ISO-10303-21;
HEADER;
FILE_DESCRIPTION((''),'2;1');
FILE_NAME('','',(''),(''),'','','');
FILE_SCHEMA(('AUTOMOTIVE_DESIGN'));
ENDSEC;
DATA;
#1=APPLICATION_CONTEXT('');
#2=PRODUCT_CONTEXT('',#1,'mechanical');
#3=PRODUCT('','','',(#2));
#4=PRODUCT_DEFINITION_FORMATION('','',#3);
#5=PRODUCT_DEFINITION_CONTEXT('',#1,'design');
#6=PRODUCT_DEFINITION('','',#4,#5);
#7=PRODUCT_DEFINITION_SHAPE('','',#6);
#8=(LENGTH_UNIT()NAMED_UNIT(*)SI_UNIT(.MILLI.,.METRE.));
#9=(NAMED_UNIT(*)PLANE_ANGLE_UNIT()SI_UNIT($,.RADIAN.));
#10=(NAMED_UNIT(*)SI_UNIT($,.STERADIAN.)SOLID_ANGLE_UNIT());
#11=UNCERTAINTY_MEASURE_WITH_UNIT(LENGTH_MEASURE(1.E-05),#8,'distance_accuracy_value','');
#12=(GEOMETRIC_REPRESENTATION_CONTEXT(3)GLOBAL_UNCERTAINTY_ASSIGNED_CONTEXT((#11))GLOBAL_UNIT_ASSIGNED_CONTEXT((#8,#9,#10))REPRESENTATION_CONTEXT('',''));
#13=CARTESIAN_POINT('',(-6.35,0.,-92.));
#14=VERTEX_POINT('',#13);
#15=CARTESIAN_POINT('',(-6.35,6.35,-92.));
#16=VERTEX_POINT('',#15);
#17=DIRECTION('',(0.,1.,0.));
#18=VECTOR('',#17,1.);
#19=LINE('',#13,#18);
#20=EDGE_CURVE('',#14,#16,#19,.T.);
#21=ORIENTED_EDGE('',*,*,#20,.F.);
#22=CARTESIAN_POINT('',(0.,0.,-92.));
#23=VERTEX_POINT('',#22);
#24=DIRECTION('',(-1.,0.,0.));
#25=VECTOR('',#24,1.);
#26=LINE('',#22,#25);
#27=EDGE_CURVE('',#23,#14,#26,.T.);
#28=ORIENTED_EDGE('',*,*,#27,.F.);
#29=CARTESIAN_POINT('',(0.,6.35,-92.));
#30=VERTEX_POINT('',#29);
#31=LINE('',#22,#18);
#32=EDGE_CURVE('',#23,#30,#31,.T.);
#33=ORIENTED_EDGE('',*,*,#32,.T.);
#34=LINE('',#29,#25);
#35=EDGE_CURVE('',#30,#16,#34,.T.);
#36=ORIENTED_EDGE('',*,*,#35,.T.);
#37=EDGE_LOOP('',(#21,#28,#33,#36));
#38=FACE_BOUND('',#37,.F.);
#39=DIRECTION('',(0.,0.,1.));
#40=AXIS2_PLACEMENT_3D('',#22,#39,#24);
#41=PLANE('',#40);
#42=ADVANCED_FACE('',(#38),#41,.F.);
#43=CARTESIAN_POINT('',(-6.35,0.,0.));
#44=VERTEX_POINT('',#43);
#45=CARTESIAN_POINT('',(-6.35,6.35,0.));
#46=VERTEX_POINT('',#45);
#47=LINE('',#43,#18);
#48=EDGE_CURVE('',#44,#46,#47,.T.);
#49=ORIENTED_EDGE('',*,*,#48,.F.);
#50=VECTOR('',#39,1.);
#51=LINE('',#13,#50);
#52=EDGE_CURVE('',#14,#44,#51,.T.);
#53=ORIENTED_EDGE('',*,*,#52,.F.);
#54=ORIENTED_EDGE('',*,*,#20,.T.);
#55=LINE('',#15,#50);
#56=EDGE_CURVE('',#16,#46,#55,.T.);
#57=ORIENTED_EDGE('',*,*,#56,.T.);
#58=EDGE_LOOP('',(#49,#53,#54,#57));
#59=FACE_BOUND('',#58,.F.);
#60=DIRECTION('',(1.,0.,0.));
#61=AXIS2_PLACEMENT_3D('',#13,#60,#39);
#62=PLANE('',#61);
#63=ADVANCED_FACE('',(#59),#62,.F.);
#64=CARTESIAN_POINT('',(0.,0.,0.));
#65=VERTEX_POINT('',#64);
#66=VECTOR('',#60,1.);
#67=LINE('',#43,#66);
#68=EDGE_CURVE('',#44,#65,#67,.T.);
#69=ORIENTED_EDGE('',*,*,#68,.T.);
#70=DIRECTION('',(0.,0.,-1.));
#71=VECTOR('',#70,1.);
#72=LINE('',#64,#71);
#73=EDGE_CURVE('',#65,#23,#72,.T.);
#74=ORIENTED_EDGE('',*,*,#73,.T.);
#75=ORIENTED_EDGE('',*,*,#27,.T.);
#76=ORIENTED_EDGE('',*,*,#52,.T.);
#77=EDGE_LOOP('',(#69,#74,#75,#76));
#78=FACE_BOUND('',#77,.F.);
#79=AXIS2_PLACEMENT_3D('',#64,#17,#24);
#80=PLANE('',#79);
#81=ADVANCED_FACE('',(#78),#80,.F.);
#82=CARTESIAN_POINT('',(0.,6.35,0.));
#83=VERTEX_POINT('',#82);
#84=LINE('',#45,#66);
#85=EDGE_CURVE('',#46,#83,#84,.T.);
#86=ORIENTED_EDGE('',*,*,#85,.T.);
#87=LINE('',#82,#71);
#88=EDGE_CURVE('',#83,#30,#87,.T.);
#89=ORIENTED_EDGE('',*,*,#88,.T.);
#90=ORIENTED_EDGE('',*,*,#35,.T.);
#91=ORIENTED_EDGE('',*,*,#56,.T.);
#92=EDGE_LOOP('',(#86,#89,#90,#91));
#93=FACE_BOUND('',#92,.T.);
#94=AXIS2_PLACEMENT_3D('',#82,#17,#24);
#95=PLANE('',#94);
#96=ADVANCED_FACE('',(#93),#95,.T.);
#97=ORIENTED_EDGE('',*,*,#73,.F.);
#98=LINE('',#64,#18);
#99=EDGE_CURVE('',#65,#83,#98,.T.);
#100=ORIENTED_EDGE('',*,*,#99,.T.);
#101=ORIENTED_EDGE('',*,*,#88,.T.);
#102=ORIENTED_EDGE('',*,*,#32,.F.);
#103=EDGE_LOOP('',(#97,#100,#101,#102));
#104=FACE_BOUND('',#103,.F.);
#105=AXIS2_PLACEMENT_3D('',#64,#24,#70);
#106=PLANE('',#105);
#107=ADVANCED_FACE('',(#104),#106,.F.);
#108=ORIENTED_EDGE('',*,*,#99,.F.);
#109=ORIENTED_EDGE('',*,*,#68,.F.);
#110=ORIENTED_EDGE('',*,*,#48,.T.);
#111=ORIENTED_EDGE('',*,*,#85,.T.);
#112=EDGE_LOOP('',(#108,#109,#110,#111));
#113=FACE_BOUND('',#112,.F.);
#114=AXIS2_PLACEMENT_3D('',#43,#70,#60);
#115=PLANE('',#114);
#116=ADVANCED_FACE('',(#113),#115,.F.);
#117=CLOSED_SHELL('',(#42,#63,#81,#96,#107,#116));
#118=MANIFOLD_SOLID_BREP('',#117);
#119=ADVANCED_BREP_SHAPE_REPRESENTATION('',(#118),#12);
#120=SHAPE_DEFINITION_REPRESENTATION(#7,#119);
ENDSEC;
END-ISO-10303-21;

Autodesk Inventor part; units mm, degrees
ref_plane "YZ Plane" through (0, 0, 0) normal (1, 0, 0) x (0, 1, 0)
ref_plane "XZ Plane" through (0, 0, 0) normal (0, 1, 0) x (-1, 0, 0)
ref_plane "XY Plane" through (0, 0, 0) normal (0, 0, 1) x (1, 0, 0)
sketch "Sketch1" plane through (0, 0, 0) normal (0, 1, 0) x (-1, 0, 0)
  line L0 (0, 0) -> (0, -92)
  line L1 (0, -92) -> (6.35, -92)
  line L2 (6.35, -92) -> (6.35, 0)
  line L3 (6.35, 0) -> (0, 0)
  dimension "d0" = 92
  dimension "d1" = 6.35
extrude "Extrusion1" add sketch "Sketch1" along normal blind 6.35
properties part number "UpperSquare"
